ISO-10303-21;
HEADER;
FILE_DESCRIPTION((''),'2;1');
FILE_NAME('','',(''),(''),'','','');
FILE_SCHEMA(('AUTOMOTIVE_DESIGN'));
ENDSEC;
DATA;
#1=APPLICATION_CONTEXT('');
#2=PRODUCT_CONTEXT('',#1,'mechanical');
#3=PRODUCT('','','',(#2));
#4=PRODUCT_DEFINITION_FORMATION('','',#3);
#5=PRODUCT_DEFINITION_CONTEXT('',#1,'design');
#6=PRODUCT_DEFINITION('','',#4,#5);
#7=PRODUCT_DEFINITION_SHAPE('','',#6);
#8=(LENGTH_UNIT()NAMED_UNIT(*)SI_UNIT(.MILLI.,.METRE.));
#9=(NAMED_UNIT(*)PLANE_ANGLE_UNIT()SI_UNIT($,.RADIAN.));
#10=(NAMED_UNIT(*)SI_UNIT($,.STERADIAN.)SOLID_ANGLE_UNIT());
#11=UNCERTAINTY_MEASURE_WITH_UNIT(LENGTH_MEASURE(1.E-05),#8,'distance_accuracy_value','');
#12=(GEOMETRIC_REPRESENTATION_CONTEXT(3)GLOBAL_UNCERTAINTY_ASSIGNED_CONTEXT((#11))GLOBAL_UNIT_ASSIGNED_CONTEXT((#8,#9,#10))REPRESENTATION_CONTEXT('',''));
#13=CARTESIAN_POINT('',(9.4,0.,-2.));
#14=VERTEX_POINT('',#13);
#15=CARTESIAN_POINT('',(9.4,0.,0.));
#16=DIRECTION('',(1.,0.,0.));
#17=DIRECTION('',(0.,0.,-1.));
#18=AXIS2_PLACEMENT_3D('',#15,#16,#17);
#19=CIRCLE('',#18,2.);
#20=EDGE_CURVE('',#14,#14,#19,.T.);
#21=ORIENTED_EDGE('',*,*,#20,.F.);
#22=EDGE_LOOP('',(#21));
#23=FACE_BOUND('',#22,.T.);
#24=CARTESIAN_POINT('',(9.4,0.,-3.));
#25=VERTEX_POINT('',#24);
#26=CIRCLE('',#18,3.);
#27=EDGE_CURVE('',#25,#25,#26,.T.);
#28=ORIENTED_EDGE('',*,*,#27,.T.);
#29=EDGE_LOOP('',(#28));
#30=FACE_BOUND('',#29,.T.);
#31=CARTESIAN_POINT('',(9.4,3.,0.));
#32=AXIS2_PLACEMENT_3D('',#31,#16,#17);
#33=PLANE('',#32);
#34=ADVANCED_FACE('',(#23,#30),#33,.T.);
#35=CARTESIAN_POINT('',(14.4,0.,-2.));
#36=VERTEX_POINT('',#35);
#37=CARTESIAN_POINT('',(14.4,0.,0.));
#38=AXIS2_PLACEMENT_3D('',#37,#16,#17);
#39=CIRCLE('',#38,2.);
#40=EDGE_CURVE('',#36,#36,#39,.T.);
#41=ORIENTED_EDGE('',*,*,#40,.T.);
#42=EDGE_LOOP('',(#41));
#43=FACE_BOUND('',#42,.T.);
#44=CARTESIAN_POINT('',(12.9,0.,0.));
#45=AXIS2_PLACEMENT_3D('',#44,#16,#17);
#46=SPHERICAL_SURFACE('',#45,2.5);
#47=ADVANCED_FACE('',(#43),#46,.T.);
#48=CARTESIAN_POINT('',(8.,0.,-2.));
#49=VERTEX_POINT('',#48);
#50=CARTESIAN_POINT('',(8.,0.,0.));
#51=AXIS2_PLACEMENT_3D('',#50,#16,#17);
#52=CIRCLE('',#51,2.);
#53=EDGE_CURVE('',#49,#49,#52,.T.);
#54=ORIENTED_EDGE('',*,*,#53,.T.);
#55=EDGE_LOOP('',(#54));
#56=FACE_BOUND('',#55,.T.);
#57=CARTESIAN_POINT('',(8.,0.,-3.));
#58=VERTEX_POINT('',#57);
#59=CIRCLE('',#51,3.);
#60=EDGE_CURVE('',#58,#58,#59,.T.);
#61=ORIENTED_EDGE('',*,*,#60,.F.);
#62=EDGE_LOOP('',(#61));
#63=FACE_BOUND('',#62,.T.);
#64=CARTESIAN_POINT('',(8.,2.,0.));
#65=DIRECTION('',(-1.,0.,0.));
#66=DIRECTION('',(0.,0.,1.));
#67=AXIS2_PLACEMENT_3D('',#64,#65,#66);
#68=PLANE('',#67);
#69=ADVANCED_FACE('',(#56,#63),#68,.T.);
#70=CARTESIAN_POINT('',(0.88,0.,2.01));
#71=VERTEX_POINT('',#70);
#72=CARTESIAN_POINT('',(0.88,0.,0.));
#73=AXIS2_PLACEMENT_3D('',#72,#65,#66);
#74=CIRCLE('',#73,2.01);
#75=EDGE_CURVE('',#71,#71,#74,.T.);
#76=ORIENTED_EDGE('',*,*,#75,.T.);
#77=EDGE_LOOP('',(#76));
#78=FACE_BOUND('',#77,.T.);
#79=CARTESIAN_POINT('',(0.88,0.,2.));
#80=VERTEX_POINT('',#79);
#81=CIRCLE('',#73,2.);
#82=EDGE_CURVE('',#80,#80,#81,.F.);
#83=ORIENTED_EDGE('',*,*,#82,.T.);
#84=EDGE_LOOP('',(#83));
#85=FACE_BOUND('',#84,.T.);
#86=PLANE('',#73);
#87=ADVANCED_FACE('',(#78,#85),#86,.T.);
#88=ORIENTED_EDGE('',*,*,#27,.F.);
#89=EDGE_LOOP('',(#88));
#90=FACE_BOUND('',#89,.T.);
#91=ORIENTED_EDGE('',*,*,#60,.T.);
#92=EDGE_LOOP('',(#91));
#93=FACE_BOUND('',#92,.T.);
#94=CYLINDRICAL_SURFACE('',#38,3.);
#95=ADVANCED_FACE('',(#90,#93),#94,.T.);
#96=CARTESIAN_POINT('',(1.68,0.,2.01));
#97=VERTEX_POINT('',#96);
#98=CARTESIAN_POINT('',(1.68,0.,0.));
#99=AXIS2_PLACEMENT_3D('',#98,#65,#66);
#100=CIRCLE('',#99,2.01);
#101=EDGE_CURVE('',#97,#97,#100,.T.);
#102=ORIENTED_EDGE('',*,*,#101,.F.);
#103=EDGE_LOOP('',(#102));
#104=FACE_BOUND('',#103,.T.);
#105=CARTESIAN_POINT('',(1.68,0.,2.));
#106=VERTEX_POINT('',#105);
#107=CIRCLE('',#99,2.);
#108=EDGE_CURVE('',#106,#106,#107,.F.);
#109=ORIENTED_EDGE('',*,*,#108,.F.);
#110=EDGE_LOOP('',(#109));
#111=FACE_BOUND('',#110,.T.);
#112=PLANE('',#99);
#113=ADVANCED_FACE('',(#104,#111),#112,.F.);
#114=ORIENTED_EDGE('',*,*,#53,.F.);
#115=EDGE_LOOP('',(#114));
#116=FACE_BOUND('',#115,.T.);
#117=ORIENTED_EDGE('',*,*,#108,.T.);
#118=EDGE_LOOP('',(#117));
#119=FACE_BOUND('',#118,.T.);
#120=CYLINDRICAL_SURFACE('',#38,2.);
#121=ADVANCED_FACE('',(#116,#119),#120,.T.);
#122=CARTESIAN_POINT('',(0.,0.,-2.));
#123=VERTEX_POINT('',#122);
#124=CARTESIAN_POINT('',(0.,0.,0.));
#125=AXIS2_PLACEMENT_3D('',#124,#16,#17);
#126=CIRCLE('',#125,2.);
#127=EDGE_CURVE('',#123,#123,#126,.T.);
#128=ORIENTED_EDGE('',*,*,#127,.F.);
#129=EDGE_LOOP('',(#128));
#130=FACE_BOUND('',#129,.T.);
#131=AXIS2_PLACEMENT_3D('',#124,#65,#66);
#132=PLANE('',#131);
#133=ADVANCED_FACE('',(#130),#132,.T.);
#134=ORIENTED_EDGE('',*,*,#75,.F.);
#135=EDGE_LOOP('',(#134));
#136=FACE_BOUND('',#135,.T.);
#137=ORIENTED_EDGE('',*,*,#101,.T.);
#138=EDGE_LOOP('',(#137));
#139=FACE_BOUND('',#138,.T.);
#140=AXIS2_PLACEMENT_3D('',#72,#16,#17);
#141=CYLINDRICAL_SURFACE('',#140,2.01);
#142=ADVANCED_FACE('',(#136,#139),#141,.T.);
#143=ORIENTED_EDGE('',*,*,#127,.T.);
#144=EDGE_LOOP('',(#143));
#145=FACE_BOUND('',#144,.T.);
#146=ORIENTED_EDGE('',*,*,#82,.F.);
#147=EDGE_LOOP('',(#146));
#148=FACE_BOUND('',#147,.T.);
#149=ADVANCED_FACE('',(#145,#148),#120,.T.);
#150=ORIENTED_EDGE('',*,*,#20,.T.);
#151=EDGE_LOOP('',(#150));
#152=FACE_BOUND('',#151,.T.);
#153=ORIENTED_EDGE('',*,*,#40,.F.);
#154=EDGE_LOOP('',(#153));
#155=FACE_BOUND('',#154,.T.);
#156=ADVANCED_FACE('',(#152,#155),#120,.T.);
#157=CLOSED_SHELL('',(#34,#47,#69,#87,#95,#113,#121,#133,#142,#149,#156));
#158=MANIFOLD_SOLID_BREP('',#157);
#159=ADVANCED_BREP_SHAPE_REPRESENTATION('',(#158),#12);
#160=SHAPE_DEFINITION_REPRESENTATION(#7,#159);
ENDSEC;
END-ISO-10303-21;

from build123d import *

# Parameters (mm, degrees)
D_ME1_FACE_RADIUS = 2
D_ME1_HEIGHT      = 1
ESQUISSE4_R       = 2.01
EXTRUSION3_DEPTH  = 0.8


with BuildPart() as part:
    # Esquisse1 → R_volution1 (revolve)
    with BuildSketch(Plane.XY, mode=Mode.PRIVATE) as r_volution1_sk:
        Polygon((0, 0), (0, 2), (8, 2), (8, 3), (9.4, 3), (9.4, 2), (14.4, 2), (14.4, 0), align=None)
    revolve(r_volution1_sk.sketch.rotate(Axis((14.4, 0, 0), (-1, 0, 0)), 90), axis=Axis((14.4, 0, 0), (-1, 0, 0)))  # turned: the seam where the file's is

    # D_me1: a dome of height H over a round flat face of radius A is a cap of a sphere of radius (A * A + H * H) / (2 * H)
    d_me1_r = (D_ME1_FACE_RADIUS * D_ME1_FACE_RADIUS + D_ME1_HEIGHT * D_ME1_HEIGHT) / (2 * D_ME1_HEIGHT)
    d_me1_base = Plane((14.4, 0, 0), z_dir=(1, 0, 0))
    with Locations(d_me1_base.offset(D_ME1_HEIGHT - d_me1_r)):
        d_me1_ball = Sphere(d_me1_r, mode=Mode.PRIVATE)
    add(split(d_me1_ball, bisect_by=d_me1_base, keep=Keep.TOP, mode=Mode.PRIVATE))

    # Esquisse4 → Extrusion3 (add)
    with BuildSketch(Plane.ZY.offset(-1.68)):
        Circle(ESQUISSE4_R)
    extrude(amount=EXTRUSION3_DEPTH)


solid = part.part
